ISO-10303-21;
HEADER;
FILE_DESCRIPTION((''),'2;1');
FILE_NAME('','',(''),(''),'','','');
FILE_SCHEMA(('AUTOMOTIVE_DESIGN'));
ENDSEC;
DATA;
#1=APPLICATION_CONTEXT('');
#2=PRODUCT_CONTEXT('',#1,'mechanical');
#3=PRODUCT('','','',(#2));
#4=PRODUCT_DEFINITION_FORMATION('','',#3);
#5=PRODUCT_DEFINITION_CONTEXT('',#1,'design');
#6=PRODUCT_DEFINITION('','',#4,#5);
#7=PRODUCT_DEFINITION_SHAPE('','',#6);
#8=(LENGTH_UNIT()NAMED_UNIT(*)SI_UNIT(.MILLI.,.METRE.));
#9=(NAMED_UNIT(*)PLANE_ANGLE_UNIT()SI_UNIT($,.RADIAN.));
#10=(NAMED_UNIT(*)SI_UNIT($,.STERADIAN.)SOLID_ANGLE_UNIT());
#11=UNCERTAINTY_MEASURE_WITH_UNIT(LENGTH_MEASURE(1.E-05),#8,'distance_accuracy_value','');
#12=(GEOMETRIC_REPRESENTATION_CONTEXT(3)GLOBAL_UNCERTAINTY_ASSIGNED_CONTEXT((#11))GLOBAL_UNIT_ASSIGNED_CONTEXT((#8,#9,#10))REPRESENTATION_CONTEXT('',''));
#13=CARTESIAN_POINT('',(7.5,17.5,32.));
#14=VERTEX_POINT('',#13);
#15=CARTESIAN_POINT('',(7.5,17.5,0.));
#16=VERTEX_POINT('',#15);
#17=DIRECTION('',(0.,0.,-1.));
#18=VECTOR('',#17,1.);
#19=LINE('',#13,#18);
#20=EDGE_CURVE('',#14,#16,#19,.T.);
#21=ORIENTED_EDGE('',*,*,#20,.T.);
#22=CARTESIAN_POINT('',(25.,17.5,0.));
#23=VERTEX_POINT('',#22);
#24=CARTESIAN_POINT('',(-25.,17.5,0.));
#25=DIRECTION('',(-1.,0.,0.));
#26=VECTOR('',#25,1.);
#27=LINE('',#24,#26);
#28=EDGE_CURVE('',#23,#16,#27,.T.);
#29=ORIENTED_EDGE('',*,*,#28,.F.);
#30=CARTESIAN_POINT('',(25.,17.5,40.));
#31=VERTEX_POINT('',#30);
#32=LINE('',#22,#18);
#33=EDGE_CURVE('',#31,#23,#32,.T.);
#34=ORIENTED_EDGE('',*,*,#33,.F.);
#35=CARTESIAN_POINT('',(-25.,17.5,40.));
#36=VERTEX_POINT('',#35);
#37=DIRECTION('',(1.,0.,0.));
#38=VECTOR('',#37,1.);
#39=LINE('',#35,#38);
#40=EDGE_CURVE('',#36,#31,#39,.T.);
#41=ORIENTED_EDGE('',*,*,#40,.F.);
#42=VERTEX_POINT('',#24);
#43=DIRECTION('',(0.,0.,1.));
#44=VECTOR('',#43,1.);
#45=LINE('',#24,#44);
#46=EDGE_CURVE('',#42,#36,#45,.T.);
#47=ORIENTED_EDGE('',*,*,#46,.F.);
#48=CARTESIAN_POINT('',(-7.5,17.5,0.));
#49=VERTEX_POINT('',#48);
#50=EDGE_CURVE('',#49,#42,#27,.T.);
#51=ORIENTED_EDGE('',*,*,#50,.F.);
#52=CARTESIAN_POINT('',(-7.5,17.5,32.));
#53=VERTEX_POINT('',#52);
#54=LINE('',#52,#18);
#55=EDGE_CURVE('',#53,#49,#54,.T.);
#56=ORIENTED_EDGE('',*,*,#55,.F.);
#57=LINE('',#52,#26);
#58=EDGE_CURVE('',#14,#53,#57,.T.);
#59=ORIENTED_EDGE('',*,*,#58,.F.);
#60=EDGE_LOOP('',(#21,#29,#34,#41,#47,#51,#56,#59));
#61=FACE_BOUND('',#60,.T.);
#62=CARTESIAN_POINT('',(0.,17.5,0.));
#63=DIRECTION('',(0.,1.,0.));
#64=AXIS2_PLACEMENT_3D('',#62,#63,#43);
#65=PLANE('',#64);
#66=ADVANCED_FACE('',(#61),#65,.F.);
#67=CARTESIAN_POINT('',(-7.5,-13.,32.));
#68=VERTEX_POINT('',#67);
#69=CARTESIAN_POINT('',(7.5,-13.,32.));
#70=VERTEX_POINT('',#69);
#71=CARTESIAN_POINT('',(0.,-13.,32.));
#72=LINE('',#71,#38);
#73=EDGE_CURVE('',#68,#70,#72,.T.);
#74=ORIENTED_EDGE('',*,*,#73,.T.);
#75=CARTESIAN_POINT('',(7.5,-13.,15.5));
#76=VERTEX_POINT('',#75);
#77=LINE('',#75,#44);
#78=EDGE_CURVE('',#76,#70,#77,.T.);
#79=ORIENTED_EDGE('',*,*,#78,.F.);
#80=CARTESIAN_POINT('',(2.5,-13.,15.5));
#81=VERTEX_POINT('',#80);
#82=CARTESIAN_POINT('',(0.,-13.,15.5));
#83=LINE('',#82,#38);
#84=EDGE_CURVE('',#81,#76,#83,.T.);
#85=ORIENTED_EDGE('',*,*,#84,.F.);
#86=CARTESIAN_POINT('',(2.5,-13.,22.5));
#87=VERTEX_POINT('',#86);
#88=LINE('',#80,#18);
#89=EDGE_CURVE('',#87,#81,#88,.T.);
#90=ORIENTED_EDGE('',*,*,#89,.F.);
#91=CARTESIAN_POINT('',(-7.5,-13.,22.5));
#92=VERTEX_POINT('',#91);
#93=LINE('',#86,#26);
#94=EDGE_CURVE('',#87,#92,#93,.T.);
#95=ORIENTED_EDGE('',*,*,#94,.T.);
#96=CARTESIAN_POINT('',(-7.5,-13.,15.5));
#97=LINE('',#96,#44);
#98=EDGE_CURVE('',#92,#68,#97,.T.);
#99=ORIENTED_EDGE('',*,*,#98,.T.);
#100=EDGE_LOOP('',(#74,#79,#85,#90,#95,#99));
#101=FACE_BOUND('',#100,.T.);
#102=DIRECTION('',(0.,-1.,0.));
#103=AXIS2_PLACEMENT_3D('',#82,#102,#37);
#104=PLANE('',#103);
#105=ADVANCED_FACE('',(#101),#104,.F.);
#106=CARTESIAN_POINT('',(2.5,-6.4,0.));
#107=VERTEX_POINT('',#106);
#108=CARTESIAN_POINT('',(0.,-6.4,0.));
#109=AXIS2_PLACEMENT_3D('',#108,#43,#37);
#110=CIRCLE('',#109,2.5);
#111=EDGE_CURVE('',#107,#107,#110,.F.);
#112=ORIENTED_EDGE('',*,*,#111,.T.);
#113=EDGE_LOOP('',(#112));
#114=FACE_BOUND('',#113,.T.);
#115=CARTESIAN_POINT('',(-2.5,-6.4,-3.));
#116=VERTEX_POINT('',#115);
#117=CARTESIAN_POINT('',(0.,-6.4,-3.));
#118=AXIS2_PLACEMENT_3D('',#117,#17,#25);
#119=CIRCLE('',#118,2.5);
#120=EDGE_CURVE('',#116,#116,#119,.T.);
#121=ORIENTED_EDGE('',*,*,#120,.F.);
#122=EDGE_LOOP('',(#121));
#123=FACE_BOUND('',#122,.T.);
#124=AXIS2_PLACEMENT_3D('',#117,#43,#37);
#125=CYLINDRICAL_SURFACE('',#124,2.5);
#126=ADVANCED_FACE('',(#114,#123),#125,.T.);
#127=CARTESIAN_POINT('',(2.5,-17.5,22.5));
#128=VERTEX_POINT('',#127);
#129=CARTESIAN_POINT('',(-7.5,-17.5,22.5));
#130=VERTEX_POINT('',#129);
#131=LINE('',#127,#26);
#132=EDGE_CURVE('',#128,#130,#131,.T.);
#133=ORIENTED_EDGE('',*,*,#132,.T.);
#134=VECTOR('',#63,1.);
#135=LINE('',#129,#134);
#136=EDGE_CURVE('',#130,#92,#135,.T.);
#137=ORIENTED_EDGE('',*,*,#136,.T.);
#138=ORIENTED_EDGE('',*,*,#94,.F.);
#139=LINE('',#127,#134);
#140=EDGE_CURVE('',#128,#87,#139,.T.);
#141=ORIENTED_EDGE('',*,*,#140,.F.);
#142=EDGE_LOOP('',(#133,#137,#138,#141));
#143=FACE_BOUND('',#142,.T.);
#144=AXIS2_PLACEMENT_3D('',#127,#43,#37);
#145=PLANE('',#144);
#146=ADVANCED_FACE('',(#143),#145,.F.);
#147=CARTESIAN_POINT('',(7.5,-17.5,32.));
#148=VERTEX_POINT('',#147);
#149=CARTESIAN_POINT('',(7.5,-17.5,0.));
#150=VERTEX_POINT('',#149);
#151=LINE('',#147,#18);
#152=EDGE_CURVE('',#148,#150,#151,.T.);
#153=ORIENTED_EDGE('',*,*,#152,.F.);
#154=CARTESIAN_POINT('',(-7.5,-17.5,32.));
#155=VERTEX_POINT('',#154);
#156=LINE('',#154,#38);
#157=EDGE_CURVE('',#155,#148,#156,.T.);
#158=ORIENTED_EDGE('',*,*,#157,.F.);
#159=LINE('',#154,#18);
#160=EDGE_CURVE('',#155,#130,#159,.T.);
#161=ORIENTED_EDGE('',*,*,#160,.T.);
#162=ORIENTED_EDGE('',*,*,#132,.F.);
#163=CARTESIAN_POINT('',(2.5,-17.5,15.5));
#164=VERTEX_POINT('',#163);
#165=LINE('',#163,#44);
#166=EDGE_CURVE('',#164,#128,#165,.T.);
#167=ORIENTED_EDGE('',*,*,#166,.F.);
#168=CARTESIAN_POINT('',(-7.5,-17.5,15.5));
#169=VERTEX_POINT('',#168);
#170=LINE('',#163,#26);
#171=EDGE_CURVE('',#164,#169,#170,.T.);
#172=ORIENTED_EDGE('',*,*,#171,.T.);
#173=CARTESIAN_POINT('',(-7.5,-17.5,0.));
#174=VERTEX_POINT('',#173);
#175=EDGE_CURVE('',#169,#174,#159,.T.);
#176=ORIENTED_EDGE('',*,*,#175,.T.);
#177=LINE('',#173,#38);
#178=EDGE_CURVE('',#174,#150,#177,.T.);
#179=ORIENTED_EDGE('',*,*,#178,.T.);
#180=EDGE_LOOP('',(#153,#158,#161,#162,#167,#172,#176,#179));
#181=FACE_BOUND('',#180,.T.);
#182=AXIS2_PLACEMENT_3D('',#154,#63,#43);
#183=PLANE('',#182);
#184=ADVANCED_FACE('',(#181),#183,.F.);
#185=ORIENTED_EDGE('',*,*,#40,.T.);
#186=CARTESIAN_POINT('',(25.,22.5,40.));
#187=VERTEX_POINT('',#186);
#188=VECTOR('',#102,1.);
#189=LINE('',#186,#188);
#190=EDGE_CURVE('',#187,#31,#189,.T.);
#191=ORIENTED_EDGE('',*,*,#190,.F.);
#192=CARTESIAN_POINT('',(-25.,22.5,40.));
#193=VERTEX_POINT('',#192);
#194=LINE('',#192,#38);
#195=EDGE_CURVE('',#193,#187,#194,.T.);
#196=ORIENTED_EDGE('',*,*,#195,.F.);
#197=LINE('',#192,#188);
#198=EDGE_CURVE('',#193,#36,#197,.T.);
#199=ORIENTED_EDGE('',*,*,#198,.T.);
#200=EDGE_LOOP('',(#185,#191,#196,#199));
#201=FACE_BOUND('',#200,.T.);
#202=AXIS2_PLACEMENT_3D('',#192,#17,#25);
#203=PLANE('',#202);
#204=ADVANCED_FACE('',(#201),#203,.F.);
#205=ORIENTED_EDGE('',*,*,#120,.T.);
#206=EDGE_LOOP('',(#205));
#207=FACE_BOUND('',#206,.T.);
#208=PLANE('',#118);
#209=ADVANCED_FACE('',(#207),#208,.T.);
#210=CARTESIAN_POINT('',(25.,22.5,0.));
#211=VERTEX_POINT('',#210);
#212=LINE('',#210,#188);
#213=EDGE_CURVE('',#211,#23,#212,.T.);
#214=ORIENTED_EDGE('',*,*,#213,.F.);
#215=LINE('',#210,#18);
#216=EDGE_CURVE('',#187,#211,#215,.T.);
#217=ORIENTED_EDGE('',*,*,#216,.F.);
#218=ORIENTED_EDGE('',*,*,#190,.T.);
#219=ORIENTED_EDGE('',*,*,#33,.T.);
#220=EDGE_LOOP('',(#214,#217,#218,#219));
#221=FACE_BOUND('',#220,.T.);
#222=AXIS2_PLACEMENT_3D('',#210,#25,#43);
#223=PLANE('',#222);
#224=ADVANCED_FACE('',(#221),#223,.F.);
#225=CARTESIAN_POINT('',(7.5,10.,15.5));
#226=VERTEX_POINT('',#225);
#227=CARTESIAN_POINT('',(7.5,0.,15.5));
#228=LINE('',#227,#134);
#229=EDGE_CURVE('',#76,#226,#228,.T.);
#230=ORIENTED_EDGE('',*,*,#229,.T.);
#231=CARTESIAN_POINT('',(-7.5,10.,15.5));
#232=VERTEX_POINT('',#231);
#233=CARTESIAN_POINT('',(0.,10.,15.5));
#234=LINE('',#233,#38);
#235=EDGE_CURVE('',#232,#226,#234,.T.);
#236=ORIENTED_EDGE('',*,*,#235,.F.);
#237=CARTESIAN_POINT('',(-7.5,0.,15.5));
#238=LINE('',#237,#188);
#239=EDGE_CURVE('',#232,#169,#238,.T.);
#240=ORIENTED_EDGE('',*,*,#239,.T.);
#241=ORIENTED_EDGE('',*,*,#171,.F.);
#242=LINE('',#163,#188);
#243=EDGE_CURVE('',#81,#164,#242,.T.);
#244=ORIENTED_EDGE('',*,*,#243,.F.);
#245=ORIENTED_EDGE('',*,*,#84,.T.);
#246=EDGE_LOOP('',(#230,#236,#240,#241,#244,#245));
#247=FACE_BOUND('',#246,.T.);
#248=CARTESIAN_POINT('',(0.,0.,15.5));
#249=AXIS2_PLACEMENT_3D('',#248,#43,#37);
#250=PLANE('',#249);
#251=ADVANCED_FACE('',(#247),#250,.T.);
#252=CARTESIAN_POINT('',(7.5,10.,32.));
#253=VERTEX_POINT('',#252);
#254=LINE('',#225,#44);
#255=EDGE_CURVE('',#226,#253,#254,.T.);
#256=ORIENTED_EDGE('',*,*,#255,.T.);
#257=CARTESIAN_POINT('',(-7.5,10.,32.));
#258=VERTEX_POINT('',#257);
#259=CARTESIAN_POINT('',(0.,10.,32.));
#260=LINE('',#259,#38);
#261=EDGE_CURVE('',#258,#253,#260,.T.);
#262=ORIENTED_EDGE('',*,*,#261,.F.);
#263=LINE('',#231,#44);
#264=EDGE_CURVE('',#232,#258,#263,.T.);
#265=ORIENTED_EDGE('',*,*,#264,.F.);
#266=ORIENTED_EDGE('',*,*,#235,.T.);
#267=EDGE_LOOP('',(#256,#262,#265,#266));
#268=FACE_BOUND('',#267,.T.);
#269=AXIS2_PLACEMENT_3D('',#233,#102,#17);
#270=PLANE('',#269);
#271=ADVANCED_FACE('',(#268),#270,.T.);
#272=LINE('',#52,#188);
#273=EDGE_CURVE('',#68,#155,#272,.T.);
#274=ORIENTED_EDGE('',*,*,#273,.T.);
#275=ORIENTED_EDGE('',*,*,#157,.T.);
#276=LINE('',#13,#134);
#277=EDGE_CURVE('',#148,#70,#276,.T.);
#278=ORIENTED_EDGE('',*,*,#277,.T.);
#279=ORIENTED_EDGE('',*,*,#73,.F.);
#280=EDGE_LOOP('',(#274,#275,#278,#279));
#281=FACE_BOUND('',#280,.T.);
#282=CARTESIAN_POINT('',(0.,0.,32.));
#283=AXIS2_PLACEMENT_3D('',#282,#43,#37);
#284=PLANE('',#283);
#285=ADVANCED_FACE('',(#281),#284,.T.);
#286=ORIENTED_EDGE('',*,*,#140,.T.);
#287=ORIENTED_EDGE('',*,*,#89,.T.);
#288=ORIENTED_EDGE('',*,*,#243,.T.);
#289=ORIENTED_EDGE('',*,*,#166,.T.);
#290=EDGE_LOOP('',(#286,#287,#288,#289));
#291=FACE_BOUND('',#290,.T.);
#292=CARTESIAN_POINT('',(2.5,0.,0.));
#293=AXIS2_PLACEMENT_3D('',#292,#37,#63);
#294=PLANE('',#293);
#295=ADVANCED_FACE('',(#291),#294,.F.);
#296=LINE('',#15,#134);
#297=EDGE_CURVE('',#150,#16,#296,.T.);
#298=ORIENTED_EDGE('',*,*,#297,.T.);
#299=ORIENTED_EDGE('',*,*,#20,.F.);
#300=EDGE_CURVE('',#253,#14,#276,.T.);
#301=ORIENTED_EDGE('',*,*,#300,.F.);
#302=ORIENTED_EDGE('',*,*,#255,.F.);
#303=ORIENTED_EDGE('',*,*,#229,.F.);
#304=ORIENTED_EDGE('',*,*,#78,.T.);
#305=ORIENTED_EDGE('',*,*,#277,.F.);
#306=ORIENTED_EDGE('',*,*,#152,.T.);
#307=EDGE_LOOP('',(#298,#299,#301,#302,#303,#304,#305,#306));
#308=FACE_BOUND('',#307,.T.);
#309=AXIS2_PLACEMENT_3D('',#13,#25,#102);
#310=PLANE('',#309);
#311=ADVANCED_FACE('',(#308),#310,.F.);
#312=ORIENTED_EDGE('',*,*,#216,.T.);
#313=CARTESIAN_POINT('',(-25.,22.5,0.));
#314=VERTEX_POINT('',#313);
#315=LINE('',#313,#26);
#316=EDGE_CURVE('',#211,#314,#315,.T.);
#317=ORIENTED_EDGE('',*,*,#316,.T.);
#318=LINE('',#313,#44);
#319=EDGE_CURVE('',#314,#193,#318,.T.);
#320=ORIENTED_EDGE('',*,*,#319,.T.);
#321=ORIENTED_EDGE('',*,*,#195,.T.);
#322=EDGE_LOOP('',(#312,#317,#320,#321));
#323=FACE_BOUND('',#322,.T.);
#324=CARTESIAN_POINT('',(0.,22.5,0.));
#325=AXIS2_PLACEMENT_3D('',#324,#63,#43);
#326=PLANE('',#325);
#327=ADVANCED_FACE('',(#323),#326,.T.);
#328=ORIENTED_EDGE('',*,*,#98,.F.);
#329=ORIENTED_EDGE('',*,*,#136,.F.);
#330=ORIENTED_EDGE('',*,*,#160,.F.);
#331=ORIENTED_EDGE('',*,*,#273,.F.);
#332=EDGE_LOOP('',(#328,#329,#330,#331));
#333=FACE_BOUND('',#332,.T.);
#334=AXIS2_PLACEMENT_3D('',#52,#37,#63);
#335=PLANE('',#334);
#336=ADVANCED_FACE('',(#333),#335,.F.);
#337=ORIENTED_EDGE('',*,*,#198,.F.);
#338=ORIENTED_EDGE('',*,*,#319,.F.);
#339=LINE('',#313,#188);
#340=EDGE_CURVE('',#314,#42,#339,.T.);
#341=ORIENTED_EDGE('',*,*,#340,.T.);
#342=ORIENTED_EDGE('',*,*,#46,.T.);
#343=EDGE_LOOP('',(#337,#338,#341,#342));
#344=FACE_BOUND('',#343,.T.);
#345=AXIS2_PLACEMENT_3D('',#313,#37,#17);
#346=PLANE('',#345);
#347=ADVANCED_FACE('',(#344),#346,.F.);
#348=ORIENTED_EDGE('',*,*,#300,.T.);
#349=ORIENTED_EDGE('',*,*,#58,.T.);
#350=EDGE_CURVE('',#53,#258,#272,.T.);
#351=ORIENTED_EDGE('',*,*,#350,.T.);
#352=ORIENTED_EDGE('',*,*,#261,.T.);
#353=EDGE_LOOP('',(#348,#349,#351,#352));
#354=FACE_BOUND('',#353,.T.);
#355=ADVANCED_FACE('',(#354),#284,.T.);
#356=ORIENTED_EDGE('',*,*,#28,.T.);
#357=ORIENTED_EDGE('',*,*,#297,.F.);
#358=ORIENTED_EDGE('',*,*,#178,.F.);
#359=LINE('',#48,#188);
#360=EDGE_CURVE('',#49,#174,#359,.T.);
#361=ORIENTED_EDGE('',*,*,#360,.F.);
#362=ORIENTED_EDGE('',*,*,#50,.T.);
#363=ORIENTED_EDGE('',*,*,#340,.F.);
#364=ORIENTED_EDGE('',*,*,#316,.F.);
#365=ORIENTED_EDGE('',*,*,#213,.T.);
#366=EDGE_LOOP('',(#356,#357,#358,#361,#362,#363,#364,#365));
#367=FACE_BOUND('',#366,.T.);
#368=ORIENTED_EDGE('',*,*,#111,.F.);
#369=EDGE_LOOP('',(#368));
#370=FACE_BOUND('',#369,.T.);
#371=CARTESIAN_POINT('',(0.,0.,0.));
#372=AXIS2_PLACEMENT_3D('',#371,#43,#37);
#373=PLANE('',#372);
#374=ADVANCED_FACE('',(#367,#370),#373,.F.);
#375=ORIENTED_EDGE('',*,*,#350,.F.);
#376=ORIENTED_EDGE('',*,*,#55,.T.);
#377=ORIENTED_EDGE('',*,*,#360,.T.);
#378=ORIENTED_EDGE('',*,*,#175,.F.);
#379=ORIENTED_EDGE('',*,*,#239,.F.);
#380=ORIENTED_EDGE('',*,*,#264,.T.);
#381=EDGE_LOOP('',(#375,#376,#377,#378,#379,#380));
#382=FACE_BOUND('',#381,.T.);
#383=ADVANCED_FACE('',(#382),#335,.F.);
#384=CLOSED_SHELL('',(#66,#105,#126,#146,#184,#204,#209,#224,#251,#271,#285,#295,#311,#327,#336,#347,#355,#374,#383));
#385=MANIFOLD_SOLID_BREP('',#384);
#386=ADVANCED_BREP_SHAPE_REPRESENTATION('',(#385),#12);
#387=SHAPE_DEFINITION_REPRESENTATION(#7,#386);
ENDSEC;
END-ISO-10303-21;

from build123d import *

# Parameters (mm, degrees)
SKETCH1_W           = 15
SKETCH1_H           = 35
BOSS_EXTRUDE1_DEPTH = 32
SKETCH4_W           = 15
SKETCH4_H           = 23
CUT_EXTRUDE2_DEPTH  = 16.5
SKETCH7_R           = 2.5
BOSS_EXTRUDE2_DEPTH = 3
SKETCH9_W           = 50
SKETCH9_H           = 40
BOSS_EXTRUDE3_DEPTH = 5
SKETCH10_W          = 7
SKETCH10_H          = 4.5
CUT_EXTRUDE3_DEPTH  = 10


with BuildPart() as part:
    # Sketch1 → Boss-Extrude1 (new body)
    with BuildSketch(Plane.XY):
        Rectangle(SKETCH1_W, SKETCH1_H)
    extrude(amount=BOSS_EXTRUDE1_DEPTH)

    # Sketch4 → Cut-Extrude2 (cut)
    with BuildSketch(Plane.XY.offset(32)):
        with Locations((0, -1.5)):
            Rectangle(SKETCH4_W, SKETCH4_H)
    extrude(amount=-CUT_EXTRUDE2_DEPTH, mode=Mode.SUBTRACT)

    # Sketch7 → Boss-Extrude2 (add)
    with BuildSketch(Plane(origin=(0, 0, 0), x_dir=(-1, 0, 0), z_dir=(0, 0, -1))):
        with Locations((0, -6.4)):
            Circle(SKETCH7_R)
    extrude(amount=BOSS_EXTRUDE2_DEPTH)

    # Sketch9 → Boss-Extrude3 (add)
    with BuildSketch(Plane(origin=(0, 17.5, 0), x_dir=(1, 0, 0), z_dir=(0, 1, 0))):
        with Locations((0, -20)):
            Rectangle(SKETCH9_W, SKETCH9_H)
    extrude(amount=BOSS_EXTRUDE3_DEPTH)

    # Sketch10 → Cut-Extrude3 (cut)
    with BuildSketch(Plane.ZY.offset(7.5)):
        with Locations((19, -15.25)):
            Rectangle(SKETCH10_W, SKETCH10_H)
    extrude(amount=-CUT_EXTRUDE3_DEPTH, mode=Mode.SUBTRACT)


solid = part.part
